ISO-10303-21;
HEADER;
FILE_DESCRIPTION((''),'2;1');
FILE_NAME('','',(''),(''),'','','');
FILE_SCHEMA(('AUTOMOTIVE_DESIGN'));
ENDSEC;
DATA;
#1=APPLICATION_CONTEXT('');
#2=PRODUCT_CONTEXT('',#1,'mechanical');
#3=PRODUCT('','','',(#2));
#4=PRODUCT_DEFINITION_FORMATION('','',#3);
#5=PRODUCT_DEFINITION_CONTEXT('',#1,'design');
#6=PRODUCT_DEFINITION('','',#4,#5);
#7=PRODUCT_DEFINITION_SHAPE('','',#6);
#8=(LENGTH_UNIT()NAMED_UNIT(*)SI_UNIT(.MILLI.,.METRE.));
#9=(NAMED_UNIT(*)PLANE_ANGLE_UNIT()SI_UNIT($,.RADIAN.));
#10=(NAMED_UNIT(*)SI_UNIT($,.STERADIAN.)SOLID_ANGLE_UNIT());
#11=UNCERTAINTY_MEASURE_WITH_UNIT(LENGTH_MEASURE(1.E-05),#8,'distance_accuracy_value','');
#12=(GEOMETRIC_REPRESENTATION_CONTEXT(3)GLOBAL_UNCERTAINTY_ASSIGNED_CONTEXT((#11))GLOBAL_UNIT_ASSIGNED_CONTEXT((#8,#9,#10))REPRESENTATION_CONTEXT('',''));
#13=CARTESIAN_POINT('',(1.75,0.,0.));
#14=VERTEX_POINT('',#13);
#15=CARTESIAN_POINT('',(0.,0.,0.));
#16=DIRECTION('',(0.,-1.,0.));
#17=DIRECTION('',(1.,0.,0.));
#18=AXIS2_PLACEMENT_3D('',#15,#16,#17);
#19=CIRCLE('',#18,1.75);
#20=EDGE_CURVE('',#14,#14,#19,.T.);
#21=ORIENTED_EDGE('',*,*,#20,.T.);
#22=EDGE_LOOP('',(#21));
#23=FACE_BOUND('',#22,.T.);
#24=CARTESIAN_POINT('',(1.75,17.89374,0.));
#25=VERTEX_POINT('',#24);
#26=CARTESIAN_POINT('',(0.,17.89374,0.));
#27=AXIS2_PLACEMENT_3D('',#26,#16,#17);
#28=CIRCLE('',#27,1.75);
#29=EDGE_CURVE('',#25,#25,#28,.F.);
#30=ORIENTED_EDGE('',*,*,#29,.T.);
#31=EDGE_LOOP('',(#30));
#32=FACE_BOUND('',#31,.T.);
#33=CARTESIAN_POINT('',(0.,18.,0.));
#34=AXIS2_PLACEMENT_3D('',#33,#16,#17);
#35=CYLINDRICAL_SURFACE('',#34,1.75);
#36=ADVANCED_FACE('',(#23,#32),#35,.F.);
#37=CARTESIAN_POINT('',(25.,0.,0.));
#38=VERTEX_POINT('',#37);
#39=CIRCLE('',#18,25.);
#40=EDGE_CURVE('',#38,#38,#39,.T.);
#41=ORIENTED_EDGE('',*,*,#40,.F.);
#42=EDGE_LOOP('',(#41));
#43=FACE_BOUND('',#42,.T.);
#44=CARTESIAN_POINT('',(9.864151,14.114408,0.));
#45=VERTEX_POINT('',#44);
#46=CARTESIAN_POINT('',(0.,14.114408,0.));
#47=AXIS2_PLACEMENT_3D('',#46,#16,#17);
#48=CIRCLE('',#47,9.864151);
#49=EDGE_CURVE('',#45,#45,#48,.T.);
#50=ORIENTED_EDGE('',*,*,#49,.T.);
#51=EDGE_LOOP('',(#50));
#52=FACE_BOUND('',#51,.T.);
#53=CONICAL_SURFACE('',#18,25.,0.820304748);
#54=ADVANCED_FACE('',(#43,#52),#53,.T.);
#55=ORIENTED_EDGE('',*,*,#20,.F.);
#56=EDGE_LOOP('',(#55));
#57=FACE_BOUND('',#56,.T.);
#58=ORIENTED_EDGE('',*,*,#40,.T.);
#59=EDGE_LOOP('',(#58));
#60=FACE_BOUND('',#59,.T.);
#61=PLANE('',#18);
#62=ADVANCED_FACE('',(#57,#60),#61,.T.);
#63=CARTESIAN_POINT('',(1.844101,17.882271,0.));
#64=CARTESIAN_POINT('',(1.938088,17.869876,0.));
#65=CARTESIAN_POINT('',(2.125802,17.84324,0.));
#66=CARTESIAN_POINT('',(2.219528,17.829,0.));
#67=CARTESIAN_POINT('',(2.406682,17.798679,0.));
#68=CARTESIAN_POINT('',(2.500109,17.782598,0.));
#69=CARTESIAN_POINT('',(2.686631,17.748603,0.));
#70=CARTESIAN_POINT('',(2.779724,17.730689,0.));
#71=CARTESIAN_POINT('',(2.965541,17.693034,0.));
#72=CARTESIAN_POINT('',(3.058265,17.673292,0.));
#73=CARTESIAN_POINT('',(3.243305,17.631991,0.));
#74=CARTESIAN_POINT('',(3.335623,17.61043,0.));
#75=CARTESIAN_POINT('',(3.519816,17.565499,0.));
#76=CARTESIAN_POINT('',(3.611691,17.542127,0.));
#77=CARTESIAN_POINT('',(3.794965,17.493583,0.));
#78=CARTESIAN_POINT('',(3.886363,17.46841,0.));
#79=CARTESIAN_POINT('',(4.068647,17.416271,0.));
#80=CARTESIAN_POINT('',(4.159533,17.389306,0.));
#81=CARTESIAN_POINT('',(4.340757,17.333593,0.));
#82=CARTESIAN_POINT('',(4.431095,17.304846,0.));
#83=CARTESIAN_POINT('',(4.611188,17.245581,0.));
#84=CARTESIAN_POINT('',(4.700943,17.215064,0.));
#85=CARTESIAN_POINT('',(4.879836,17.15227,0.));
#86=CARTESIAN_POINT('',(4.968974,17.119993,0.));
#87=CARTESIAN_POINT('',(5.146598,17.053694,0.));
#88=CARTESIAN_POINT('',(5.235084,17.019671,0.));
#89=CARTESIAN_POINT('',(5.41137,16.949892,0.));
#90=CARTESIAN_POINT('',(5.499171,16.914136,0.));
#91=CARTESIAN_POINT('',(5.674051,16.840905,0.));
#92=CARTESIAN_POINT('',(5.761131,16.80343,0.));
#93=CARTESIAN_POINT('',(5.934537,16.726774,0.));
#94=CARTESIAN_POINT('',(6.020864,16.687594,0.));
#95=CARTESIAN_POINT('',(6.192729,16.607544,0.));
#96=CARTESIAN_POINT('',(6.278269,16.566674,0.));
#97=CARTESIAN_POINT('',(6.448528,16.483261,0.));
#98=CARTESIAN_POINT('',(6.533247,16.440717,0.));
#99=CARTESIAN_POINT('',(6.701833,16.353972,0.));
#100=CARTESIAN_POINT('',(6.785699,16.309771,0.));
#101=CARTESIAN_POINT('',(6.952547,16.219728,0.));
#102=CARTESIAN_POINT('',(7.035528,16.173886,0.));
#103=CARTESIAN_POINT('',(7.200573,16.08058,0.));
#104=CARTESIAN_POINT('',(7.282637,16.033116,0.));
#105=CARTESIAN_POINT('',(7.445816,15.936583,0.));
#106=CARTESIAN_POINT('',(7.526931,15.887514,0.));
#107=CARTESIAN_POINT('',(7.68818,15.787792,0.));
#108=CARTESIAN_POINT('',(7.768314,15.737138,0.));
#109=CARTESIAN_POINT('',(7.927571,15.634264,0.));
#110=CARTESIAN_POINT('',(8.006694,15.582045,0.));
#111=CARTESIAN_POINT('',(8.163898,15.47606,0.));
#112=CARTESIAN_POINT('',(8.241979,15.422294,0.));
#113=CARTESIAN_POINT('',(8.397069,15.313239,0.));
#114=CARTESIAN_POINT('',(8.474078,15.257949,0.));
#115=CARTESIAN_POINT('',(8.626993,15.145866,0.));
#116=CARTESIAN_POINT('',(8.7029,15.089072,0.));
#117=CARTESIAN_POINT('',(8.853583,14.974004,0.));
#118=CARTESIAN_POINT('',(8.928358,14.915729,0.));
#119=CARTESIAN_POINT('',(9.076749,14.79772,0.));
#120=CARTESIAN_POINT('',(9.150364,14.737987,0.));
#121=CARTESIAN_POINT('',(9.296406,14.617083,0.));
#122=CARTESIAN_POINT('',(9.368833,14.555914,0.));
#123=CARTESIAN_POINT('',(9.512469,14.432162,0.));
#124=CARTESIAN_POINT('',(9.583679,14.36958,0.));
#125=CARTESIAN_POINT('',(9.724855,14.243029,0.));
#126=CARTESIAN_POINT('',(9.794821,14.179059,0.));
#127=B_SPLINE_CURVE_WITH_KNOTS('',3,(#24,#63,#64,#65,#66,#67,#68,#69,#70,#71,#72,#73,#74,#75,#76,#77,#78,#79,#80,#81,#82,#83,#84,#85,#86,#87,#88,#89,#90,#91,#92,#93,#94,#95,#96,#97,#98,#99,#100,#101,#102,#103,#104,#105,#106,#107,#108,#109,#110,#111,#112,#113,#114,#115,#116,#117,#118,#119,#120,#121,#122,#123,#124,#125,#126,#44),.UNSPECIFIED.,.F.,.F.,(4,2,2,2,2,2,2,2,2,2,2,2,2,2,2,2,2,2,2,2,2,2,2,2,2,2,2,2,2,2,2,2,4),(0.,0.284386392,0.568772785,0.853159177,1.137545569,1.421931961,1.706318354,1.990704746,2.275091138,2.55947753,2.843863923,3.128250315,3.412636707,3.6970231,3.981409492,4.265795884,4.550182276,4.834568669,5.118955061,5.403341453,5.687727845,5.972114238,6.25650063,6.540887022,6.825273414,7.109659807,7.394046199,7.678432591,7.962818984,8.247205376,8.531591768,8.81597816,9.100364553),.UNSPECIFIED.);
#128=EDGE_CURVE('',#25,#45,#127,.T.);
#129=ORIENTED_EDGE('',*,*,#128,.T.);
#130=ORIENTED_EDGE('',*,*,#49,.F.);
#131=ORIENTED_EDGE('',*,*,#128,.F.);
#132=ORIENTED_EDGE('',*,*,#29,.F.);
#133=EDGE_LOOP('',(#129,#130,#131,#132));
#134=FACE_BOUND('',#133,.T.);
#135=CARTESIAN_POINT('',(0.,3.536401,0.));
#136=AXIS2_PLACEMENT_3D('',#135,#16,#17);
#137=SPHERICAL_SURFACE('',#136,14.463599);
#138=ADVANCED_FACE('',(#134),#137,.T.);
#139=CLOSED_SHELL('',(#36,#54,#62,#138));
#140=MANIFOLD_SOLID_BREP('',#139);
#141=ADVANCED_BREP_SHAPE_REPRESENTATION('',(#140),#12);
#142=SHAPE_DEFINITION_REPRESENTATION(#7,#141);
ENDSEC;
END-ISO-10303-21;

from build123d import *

# Parameters (mm, degrees)
SKETCH2_R          = 1.75
CUT_EXTRUDE1_DEPTH = 40.67366885


with BuildPart() as part:
    # Sketch1 → Revolve1 (revolve)
    with BuildSketch(Plane.XY):
        with BuildLine():
            Line((0, 0), (25, 0))
            Line((25, 0), (9.8641509, 14.114407628))
            ThreePointArc((9.8641509, 14.114407628), (5.300926831, 16.993587596), (0, 18))
            Line((0, 18), (0, 0))
        make_face()
    revolve(axis=Axis((0, 0, 0), (0, 1, 0)))

    # Sketch2 → Cut-Extrude1 (cut, through all)
    with BuildSketch(Plane.XZ):
        Circle(SKETCH2_R)
    extrude(amount=-CUT_EXTRUDE1_DEPTH, mode=Mode.SUBTRACT)


solid = part.part
